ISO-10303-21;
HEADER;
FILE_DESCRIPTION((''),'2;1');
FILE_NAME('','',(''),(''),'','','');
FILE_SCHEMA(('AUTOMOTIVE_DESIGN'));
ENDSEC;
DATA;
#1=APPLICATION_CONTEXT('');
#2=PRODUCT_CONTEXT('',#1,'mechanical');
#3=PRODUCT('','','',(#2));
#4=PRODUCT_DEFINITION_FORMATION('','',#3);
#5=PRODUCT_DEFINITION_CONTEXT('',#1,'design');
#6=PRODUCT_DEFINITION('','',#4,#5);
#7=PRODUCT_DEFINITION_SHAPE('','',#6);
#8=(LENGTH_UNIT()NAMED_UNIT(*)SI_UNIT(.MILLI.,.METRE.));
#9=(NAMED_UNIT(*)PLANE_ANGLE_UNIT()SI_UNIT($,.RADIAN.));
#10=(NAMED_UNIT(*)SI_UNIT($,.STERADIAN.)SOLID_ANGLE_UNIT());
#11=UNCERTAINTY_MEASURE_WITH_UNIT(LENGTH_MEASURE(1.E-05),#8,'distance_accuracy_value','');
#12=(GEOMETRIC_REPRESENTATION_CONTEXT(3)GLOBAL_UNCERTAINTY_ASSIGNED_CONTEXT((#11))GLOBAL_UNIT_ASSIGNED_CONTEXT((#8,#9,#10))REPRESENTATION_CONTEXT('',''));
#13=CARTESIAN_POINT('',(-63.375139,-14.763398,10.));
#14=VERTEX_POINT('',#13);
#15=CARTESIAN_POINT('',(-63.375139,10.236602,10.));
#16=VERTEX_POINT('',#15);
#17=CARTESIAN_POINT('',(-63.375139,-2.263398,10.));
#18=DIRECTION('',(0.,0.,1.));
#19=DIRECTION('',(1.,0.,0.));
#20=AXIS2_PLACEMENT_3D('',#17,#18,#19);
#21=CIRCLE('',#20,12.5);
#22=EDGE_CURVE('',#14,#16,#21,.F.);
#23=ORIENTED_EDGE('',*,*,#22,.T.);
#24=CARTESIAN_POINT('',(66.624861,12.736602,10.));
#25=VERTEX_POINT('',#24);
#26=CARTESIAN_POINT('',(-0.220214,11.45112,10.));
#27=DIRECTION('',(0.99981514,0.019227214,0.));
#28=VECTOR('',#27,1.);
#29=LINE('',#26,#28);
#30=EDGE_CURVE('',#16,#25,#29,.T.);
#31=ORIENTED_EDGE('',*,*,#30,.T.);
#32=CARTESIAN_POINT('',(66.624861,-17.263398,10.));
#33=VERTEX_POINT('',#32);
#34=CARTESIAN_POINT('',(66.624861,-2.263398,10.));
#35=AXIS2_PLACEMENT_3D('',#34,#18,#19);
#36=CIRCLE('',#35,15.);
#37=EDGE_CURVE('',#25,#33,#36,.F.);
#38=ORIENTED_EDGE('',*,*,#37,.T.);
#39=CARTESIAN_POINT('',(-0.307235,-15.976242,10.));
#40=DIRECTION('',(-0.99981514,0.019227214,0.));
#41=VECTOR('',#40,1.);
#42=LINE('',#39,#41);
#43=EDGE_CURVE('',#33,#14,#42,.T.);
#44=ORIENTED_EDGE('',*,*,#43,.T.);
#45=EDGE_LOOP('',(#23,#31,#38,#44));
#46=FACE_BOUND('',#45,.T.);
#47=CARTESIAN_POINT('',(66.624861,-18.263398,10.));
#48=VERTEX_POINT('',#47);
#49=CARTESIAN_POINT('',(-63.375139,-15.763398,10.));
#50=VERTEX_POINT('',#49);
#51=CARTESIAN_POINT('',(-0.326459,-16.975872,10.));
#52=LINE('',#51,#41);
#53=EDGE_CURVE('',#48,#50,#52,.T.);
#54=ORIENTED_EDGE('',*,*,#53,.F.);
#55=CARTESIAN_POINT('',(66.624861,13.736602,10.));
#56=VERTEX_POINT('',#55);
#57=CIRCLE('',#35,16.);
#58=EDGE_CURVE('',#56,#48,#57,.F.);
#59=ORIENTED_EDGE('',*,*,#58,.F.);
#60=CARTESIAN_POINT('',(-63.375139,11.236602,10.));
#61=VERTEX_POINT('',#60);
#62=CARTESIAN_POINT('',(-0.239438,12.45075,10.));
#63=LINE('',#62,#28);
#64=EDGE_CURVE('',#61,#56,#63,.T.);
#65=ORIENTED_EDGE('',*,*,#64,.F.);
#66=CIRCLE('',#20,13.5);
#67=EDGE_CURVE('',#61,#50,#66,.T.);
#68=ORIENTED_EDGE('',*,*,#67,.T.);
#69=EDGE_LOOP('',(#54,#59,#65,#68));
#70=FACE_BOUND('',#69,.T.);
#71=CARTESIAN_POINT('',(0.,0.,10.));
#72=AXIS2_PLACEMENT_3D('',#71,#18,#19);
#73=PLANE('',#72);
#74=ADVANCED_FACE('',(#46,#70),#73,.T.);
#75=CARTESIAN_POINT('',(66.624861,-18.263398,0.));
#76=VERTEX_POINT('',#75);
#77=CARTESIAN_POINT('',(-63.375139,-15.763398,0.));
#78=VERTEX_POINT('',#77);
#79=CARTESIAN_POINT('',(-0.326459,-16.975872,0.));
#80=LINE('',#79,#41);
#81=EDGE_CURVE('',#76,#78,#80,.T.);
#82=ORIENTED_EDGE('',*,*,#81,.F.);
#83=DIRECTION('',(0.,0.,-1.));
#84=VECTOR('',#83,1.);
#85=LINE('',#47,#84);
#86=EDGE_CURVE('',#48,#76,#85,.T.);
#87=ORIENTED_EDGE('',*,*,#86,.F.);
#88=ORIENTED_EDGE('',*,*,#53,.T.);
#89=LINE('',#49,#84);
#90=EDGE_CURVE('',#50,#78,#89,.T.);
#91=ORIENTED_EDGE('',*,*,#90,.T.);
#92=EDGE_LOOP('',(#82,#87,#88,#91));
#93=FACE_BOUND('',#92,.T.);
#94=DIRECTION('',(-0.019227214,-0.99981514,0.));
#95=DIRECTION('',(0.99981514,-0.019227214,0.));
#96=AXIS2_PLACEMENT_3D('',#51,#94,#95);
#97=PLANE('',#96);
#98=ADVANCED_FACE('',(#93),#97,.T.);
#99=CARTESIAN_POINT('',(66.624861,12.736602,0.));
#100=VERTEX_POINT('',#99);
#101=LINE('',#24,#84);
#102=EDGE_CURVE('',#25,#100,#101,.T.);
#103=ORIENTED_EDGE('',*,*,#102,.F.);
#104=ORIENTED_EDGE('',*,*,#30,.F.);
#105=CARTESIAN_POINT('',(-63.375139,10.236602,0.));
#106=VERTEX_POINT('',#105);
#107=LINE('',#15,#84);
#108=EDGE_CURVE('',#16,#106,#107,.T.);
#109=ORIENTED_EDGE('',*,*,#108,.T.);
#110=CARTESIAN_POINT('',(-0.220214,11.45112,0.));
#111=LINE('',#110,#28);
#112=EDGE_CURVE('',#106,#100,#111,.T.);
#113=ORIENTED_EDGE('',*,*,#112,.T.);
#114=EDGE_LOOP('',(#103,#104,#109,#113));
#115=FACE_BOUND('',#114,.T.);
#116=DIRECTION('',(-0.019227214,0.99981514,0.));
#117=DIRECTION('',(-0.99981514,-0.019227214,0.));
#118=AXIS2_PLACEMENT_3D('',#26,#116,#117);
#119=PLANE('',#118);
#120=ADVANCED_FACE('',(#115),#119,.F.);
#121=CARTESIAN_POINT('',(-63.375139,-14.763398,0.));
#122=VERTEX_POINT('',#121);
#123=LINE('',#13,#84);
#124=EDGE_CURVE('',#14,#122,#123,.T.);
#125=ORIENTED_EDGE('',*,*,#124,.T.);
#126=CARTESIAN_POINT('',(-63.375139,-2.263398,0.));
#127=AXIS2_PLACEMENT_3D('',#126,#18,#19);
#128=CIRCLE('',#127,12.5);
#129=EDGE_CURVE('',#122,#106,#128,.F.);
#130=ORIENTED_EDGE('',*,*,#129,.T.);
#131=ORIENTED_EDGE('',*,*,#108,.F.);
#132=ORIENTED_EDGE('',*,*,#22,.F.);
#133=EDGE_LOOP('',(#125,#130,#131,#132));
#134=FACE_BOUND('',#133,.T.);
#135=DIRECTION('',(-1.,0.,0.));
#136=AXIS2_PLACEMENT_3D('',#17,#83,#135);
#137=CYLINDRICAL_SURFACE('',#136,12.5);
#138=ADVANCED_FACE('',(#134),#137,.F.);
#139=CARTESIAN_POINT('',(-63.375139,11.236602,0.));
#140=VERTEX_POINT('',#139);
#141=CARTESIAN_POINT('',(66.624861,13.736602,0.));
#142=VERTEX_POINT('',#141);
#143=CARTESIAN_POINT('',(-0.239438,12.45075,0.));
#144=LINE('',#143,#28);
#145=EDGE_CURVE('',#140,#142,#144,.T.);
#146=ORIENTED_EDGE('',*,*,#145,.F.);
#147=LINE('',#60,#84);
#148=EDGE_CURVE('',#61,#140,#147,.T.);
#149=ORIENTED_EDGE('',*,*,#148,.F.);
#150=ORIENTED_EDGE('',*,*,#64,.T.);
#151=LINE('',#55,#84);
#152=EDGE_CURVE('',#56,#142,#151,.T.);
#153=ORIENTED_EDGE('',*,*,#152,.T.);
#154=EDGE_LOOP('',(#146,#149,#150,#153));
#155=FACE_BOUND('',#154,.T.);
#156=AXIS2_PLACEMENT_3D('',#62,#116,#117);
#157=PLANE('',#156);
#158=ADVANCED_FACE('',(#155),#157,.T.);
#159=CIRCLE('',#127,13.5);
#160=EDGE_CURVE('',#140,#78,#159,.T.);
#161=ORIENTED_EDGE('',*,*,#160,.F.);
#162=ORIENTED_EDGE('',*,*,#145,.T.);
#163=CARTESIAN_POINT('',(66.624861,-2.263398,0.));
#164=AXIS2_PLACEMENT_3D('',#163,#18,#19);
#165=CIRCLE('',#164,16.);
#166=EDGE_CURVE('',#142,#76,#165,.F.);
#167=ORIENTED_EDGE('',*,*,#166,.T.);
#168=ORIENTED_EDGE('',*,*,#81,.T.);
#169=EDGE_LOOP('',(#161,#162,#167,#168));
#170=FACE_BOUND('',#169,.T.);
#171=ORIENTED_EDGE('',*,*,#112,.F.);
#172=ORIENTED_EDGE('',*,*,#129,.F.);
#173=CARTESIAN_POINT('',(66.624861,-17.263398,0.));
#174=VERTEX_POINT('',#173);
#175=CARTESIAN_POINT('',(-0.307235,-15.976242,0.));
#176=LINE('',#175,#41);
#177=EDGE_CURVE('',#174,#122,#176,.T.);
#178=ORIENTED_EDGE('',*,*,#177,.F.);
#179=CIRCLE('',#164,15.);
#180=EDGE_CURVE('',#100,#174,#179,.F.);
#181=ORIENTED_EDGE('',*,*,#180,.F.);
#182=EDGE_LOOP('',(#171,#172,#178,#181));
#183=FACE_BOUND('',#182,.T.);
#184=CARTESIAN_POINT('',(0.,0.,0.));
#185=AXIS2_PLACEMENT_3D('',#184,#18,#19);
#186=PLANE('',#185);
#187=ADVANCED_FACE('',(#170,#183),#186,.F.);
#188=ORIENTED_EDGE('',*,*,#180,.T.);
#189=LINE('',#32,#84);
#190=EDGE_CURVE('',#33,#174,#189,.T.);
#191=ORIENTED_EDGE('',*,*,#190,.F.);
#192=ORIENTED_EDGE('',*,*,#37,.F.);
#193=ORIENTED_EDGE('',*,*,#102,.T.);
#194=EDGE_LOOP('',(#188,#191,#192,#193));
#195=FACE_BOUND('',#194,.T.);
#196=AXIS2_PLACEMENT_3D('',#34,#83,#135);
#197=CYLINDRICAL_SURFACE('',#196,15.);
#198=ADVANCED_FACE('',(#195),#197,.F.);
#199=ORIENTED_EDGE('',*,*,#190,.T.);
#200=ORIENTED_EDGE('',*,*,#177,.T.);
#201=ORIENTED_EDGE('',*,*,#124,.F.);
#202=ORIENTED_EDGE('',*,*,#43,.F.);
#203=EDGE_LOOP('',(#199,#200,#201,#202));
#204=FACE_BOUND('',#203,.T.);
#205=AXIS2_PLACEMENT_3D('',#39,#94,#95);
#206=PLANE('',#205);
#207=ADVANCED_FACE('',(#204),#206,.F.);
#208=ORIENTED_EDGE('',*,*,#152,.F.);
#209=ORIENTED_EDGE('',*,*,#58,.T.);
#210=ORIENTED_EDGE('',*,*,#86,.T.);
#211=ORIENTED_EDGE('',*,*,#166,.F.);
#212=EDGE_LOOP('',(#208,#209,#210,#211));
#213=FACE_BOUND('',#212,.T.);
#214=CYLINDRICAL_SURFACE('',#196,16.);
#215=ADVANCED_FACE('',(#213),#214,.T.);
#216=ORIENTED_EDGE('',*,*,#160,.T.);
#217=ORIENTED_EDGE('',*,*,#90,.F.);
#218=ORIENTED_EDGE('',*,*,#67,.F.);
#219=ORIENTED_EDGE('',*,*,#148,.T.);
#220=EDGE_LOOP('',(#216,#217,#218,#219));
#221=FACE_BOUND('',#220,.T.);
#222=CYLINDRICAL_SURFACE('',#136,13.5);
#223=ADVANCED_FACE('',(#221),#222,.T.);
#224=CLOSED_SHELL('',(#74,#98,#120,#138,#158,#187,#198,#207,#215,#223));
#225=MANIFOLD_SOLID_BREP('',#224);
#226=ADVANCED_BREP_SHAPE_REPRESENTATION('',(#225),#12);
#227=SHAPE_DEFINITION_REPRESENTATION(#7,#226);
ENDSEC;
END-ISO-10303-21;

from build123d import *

# Parameters (mm, degrees)
BOSS_EXTRU_1_DEPTH = 10


with BuildPart() as part:
    # Esquisse1 → Boss.-Extru.1 (new body)
    with BuildSketch(Plane.XY):
        with BuildLine():
            Line((-63.375139476, 11.236602162), (66.624860524, 13.736602162))
            ThreePointArc((66.624860524, 13.736602162), (82.624860524, -2.263397838), (66.624860524, -18.263397838))
            Line((66.624860524, -18.263397838), (-63.375139476, -15.763397838))
            ThreePointArc((-63.375139476, -15.763397838), (-76.875139476, -2.263397838), (-63.375139476, 11.236602162))
        make_face()
        with BuildLine():
            Line((-63.375139476, 10.236602162), (66.624860524, 12.736602162))
            ThreePointArc((66.624860524, 12.736602162), (81.624860524, -2.263397838), (66.624860524, -17.263397838))
            Line((66.624860524, -17.263397838), (-63.375139476, -14.763397838))
            ThreePointArc((-63.375139476, -14.763397838), (-75.875139476, -2.263397838), (-63.375139476, 10.236602162))
        make_face(mode=Mode.SUBTRACT)
    extrude(amount=BOSS_EXTRU_1_DEPTH)


solid = part.part
